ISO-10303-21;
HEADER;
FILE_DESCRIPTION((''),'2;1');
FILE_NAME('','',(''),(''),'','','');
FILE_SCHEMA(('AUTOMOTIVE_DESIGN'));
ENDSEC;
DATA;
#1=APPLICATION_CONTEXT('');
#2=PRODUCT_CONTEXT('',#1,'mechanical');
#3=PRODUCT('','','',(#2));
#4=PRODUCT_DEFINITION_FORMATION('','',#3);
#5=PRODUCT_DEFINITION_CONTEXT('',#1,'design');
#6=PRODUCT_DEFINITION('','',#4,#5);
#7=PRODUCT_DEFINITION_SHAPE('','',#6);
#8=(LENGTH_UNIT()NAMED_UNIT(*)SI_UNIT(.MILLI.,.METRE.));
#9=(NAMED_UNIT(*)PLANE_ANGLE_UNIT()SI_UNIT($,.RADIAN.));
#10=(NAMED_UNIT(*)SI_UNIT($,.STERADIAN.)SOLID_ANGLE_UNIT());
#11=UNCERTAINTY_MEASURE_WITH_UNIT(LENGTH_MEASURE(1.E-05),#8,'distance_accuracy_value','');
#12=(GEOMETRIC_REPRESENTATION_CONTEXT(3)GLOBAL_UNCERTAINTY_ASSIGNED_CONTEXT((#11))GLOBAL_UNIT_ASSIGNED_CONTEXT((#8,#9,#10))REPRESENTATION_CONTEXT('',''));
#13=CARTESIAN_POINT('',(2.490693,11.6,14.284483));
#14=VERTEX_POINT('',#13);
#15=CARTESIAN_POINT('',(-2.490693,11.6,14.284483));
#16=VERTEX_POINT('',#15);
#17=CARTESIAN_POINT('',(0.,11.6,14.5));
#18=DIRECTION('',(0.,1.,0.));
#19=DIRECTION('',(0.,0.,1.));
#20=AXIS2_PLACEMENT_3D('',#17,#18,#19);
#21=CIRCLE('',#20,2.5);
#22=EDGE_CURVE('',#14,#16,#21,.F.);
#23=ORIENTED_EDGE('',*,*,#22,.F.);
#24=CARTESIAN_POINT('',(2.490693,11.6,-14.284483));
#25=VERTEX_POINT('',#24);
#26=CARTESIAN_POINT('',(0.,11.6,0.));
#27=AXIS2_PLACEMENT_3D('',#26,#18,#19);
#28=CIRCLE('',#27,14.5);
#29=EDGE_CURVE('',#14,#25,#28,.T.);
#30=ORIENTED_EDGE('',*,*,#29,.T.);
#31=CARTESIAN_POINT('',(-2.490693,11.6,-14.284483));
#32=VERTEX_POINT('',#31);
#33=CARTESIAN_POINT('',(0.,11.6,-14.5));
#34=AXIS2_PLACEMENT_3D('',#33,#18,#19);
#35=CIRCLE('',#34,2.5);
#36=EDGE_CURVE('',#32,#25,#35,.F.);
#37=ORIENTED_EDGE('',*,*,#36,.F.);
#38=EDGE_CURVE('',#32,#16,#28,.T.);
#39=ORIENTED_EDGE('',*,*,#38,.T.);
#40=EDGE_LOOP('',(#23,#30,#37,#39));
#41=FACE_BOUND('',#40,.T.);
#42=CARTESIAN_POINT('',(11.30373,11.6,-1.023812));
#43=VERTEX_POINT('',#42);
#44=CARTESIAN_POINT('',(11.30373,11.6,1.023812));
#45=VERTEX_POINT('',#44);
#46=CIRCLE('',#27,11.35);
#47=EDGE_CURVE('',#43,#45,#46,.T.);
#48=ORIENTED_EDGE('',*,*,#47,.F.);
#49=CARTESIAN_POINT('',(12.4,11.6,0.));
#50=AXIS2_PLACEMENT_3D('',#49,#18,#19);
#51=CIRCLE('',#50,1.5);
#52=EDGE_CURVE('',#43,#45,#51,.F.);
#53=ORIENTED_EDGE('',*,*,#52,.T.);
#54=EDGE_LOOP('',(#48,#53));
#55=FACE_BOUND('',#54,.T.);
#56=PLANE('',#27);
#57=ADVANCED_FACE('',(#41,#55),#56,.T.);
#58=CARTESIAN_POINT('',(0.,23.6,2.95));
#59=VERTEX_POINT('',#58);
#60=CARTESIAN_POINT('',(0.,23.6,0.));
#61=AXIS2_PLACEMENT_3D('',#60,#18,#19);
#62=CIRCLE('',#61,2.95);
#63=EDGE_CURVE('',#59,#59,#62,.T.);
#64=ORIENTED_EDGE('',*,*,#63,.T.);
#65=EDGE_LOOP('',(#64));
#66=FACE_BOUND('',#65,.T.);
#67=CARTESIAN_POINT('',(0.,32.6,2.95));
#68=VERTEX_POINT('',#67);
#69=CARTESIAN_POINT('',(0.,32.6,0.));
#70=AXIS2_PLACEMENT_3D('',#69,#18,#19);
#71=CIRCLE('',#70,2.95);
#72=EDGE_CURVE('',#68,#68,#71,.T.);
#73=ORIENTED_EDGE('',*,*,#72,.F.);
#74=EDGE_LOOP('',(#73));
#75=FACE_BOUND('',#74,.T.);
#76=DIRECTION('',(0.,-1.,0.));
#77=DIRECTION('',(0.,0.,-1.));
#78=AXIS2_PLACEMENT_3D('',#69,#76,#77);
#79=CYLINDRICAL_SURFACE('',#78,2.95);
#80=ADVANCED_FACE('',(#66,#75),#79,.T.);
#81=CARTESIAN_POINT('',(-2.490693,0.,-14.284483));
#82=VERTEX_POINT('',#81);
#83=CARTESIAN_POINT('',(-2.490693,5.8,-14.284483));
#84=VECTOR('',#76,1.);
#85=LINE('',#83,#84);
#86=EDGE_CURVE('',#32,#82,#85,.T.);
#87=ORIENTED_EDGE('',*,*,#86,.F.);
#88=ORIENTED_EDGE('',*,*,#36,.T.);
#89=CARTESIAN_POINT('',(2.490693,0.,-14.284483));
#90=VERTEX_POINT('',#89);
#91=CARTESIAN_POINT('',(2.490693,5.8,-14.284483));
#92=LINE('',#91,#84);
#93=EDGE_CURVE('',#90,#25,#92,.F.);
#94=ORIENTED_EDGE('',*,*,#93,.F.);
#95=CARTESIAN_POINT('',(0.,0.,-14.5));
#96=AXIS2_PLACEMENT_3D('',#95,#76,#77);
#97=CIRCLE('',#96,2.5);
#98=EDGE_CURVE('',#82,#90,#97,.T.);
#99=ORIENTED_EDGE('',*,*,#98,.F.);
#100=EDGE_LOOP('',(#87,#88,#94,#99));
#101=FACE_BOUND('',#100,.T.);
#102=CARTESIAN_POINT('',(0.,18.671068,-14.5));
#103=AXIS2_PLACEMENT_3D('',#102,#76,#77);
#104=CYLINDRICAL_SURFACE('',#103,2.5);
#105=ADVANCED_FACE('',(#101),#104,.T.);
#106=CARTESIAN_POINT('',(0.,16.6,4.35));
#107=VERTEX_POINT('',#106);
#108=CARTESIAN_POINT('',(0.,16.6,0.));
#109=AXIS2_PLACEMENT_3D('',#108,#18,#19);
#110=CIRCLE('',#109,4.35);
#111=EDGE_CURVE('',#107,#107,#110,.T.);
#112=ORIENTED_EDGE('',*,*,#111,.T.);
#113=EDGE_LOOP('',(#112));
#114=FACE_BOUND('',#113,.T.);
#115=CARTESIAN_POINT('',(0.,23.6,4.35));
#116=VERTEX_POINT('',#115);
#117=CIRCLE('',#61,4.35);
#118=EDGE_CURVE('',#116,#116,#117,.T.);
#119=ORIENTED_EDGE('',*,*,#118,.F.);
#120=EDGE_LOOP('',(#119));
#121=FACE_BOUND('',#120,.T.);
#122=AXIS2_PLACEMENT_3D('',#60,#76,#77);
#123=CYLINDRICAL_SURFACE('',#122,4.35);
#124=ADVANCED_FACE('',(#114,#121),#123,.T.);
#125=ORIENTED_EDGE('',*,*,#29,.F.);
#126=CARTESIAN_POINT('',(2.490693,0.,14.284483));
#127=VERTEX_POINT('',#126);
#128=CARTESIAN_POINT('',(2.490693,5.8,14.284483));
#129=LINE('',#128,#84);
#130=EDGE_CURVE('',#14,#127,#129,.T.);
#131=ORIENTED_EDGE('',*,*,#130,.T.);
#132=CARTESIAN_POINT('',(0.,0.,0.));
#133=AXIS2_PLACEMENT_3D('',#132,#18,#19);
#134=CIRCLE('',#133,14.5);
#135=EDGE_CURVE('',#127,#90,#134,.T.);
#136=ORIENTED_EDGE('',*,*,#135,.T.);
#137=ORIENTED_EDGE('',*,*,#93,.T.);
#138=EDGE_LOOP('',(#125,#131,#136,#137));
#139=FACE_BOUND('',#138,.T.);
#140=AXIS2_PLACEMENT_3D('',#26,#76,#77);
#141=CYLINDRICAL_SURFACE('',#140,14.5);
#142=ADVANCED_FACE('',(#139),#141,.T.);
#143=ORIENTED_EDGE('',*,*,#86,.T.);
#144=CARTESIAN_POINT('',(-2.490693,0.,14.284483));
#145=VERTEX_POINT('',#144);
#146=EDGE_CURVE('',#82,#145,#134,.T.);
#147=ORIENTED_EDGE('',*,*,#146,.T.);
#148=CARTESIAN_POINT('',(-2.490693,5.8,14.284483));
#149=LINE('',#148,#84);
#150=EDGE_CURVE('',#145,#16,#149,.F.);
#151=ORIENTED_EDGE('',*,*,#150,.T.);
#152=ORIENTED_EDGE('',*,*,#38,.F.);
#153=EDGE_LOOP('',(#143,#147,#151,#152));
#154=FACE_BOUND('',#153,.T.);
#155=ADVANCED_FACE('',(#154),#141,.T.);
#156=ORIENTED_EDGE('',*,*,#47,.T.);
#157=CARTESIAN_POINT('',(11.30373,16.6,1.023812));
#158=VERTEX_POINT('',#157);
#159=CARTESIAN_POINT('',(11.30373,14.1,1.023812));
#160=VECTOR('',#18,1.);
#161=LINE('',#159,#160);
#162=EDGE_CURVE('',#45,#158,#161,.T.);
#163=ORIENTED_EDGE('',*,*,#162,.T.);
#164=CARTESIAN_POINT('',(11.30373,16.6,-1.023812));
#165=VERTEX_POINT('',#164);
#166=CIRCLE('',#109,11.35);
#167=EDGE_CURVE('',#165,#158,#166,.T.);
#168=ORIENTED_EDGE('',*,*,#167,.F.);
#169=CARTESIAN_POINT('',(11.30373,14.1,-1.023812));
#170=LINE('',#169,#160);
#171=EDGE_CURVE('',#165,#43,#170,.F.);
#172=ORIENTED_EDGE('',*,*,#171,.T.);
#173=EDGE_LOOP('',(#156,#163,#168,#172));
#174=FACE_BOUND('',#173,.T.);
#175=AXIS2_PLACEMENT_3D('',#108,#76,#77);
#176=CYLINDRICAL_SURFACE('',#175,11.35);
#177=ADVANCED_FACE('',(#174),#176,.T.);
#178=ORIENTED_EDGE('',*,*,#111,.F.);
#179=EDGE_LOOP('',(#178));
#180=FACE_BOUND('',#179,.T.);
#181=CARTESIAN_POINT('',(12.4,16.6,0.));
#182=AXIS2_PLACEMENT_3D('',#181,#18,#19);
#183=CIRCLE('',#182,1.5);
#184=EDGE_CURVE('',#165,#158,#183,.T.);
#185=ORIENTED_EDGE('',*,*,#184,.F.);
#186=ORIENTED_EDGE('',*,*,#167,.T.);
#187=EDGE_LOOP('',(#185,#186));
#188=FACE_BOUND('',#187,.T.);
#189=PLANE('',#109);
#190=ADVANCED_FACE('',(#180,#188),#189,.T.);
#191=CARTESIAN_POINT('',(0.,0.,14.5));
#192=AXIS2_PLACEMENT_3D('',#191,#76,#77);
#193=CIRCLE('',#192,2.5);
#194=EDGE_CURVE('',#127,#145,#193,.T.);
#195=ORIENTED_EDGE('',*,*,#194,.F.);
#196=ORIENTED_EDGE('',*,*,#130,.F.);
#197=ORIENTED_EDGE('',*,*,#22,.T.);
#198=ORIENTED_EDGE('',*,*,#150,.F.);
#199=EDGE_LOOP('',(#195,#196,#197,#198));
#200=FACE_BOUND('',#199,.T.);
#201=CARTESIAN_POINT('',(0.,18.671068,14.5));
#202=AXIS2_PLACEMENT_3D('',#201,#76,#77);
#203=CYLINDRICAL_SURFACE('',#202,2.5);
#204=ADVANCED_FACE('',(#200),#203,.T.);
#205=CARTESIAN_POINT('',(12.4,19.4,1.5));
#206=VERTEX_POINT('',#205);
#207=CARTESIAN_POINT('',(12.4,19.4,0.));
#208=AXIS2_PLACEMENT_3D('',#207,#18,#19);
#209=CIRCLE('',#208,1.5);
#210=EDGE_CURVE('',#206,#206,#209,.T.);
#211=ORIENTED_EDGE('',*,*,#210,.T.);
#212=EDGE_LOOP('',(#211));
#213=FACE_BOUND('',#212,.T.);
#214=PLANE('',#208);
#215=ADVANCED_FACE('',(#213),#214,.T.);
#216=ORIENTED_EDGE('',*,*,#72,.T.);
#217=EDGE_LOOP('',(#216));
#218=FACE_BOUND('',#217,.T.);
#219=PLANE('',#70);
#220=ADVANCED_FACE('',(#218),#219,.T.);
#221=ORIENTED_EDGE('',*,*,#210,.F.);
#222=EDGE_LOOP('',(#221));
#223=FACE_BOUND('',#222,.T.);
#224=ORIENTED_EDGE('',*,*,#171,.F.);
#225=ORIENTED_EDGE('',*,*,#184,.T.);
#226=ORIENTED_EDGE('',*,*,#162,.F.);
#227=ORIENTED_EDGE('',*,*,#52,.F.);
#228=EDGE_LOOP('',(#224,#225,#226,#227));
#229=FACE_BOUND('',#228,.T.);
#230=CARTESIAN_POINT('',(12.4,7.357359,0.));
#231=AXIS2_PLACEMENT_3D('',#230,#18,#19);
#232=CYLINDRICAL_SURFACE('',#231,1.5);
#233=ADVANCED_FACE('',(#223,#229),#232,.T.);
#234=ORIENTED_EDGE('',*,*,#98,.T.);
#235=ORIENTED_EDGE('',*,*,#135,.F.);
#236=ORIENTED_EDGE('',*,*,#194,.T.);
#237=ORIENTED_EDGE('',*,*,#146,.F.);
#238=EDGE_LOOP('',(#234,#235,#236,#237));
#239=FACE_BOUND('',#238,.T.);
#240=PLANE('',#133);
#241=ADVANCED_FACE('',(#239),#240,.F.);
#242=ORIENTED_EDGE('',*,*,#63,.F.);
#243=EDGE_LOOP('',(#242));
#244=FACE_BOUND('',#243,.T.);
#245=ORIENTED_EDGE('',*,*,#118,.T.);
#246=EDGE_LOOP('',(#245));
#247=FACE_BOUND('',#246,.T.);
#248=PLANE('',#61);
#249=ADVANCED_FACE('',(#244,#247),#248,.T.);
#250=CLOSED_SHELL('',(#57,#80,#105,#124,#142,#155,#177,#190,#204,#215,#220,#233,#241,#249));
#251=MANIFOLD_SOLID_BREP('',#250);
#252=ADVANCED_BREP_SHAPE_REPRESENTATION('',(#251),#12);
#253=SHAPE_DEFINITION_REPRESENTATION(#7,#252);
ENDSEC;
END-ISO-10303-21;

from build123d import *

# Parameters (mm, degrees)
SKETCH1_R                = 14.5
BOSS_EXTRUDE1_DEPTH      = 11.6
SKETCH2_R                = 11.35
BOSS_EXTRUDE2_DEPTH      = 5
SKETCH3_R                = 4.35
BOSS_EXTRUDE3_DEPTH      = 7
SKETCH4_R                = 2.95
BOSS_EXTRUDE4_DEPTH      = 9
SKETCH5_R                = 2.5
BOSS_EXTRUDE5_DEPTH      = 11.6
SKETCH6_R                = 1.5
BOSS_EXTRUDE6_DEPTH      = 2.8
BOSS_EXTRUDE6_DEPTH_BACK = 16.6


with BuildPart() as part:
    # Sketch1 → Boss-Extrude1 (new body)
    with BuildSketch(Plane(origin=(0, 0, 0), x_dir=(1, 0, 0), z_dir=(0, 1, 0))):
        Circle(SKETCH1_R)
    extrude(amount=BOSS_EXTRUDE1_DEPTH)

    # Sketch2 → Boss-Extrude2 (add)
    with BuildSketch(Plane(origin=(0, 11.6, 0), x_dir=(1, 0, 0), z_dir=(0, 1, 0))):
        Circle(SKETCH2_R)
    extrude(amount=BOSS_EXTRUDE2_DEPTH)

    # Sketch3 → Boss-Extrude3 (add)
    with BuildSketch(Plane(origin=(0, 16.6, 0), x_dir=(1, 0, 0), z_dir=(0, 1, 0))):
        Circle(SKETCH3_R)
    extrude(amount=BOSS_EXTRUDE3_DEPTH)

    # Sketch4 → Boss-Extrude4 (add)
    with BuildSketch(Plane(origin=(0, 23.6, 0), x_dir=(1, 0, 0), z_dir=(0, 1, 0))):
        Circle(SKETCH4_R)
    extrude(amount=BOSS_EXTRUDE4_DEPTH)

    # Sketch5 → Boss-Extrude5 (add)
    with BuildSketch(Plane.XZ):
        with Locations((0, 14.5)):
            Circle(SKETCH5_R)
        with Locations((0, -14.5)):
            Circle(SKETCH5_R)
    extrude(amount=-BOSS_EXTRUDE5_DEPTH)

    # Sketch6 → Boss-Extrude6 (add, two sides)
    with BuildSketch(Plane(origin=(0, 16.6, 0), x_dir=(1, 0, 0), z_dir=(0, 1, 0))) as boss_extrude6_sk:
        with Locations((12.4, 0)):
            Circle(SKETCH6_R)
    extrude(amount=BOSS_EXTRUDE6_DEPTH)
    extrude(boss_extrude6_sk.sketch, amount=-BOSS_EXTRUDE6_DEPTH_BACK)


solid = part.part
